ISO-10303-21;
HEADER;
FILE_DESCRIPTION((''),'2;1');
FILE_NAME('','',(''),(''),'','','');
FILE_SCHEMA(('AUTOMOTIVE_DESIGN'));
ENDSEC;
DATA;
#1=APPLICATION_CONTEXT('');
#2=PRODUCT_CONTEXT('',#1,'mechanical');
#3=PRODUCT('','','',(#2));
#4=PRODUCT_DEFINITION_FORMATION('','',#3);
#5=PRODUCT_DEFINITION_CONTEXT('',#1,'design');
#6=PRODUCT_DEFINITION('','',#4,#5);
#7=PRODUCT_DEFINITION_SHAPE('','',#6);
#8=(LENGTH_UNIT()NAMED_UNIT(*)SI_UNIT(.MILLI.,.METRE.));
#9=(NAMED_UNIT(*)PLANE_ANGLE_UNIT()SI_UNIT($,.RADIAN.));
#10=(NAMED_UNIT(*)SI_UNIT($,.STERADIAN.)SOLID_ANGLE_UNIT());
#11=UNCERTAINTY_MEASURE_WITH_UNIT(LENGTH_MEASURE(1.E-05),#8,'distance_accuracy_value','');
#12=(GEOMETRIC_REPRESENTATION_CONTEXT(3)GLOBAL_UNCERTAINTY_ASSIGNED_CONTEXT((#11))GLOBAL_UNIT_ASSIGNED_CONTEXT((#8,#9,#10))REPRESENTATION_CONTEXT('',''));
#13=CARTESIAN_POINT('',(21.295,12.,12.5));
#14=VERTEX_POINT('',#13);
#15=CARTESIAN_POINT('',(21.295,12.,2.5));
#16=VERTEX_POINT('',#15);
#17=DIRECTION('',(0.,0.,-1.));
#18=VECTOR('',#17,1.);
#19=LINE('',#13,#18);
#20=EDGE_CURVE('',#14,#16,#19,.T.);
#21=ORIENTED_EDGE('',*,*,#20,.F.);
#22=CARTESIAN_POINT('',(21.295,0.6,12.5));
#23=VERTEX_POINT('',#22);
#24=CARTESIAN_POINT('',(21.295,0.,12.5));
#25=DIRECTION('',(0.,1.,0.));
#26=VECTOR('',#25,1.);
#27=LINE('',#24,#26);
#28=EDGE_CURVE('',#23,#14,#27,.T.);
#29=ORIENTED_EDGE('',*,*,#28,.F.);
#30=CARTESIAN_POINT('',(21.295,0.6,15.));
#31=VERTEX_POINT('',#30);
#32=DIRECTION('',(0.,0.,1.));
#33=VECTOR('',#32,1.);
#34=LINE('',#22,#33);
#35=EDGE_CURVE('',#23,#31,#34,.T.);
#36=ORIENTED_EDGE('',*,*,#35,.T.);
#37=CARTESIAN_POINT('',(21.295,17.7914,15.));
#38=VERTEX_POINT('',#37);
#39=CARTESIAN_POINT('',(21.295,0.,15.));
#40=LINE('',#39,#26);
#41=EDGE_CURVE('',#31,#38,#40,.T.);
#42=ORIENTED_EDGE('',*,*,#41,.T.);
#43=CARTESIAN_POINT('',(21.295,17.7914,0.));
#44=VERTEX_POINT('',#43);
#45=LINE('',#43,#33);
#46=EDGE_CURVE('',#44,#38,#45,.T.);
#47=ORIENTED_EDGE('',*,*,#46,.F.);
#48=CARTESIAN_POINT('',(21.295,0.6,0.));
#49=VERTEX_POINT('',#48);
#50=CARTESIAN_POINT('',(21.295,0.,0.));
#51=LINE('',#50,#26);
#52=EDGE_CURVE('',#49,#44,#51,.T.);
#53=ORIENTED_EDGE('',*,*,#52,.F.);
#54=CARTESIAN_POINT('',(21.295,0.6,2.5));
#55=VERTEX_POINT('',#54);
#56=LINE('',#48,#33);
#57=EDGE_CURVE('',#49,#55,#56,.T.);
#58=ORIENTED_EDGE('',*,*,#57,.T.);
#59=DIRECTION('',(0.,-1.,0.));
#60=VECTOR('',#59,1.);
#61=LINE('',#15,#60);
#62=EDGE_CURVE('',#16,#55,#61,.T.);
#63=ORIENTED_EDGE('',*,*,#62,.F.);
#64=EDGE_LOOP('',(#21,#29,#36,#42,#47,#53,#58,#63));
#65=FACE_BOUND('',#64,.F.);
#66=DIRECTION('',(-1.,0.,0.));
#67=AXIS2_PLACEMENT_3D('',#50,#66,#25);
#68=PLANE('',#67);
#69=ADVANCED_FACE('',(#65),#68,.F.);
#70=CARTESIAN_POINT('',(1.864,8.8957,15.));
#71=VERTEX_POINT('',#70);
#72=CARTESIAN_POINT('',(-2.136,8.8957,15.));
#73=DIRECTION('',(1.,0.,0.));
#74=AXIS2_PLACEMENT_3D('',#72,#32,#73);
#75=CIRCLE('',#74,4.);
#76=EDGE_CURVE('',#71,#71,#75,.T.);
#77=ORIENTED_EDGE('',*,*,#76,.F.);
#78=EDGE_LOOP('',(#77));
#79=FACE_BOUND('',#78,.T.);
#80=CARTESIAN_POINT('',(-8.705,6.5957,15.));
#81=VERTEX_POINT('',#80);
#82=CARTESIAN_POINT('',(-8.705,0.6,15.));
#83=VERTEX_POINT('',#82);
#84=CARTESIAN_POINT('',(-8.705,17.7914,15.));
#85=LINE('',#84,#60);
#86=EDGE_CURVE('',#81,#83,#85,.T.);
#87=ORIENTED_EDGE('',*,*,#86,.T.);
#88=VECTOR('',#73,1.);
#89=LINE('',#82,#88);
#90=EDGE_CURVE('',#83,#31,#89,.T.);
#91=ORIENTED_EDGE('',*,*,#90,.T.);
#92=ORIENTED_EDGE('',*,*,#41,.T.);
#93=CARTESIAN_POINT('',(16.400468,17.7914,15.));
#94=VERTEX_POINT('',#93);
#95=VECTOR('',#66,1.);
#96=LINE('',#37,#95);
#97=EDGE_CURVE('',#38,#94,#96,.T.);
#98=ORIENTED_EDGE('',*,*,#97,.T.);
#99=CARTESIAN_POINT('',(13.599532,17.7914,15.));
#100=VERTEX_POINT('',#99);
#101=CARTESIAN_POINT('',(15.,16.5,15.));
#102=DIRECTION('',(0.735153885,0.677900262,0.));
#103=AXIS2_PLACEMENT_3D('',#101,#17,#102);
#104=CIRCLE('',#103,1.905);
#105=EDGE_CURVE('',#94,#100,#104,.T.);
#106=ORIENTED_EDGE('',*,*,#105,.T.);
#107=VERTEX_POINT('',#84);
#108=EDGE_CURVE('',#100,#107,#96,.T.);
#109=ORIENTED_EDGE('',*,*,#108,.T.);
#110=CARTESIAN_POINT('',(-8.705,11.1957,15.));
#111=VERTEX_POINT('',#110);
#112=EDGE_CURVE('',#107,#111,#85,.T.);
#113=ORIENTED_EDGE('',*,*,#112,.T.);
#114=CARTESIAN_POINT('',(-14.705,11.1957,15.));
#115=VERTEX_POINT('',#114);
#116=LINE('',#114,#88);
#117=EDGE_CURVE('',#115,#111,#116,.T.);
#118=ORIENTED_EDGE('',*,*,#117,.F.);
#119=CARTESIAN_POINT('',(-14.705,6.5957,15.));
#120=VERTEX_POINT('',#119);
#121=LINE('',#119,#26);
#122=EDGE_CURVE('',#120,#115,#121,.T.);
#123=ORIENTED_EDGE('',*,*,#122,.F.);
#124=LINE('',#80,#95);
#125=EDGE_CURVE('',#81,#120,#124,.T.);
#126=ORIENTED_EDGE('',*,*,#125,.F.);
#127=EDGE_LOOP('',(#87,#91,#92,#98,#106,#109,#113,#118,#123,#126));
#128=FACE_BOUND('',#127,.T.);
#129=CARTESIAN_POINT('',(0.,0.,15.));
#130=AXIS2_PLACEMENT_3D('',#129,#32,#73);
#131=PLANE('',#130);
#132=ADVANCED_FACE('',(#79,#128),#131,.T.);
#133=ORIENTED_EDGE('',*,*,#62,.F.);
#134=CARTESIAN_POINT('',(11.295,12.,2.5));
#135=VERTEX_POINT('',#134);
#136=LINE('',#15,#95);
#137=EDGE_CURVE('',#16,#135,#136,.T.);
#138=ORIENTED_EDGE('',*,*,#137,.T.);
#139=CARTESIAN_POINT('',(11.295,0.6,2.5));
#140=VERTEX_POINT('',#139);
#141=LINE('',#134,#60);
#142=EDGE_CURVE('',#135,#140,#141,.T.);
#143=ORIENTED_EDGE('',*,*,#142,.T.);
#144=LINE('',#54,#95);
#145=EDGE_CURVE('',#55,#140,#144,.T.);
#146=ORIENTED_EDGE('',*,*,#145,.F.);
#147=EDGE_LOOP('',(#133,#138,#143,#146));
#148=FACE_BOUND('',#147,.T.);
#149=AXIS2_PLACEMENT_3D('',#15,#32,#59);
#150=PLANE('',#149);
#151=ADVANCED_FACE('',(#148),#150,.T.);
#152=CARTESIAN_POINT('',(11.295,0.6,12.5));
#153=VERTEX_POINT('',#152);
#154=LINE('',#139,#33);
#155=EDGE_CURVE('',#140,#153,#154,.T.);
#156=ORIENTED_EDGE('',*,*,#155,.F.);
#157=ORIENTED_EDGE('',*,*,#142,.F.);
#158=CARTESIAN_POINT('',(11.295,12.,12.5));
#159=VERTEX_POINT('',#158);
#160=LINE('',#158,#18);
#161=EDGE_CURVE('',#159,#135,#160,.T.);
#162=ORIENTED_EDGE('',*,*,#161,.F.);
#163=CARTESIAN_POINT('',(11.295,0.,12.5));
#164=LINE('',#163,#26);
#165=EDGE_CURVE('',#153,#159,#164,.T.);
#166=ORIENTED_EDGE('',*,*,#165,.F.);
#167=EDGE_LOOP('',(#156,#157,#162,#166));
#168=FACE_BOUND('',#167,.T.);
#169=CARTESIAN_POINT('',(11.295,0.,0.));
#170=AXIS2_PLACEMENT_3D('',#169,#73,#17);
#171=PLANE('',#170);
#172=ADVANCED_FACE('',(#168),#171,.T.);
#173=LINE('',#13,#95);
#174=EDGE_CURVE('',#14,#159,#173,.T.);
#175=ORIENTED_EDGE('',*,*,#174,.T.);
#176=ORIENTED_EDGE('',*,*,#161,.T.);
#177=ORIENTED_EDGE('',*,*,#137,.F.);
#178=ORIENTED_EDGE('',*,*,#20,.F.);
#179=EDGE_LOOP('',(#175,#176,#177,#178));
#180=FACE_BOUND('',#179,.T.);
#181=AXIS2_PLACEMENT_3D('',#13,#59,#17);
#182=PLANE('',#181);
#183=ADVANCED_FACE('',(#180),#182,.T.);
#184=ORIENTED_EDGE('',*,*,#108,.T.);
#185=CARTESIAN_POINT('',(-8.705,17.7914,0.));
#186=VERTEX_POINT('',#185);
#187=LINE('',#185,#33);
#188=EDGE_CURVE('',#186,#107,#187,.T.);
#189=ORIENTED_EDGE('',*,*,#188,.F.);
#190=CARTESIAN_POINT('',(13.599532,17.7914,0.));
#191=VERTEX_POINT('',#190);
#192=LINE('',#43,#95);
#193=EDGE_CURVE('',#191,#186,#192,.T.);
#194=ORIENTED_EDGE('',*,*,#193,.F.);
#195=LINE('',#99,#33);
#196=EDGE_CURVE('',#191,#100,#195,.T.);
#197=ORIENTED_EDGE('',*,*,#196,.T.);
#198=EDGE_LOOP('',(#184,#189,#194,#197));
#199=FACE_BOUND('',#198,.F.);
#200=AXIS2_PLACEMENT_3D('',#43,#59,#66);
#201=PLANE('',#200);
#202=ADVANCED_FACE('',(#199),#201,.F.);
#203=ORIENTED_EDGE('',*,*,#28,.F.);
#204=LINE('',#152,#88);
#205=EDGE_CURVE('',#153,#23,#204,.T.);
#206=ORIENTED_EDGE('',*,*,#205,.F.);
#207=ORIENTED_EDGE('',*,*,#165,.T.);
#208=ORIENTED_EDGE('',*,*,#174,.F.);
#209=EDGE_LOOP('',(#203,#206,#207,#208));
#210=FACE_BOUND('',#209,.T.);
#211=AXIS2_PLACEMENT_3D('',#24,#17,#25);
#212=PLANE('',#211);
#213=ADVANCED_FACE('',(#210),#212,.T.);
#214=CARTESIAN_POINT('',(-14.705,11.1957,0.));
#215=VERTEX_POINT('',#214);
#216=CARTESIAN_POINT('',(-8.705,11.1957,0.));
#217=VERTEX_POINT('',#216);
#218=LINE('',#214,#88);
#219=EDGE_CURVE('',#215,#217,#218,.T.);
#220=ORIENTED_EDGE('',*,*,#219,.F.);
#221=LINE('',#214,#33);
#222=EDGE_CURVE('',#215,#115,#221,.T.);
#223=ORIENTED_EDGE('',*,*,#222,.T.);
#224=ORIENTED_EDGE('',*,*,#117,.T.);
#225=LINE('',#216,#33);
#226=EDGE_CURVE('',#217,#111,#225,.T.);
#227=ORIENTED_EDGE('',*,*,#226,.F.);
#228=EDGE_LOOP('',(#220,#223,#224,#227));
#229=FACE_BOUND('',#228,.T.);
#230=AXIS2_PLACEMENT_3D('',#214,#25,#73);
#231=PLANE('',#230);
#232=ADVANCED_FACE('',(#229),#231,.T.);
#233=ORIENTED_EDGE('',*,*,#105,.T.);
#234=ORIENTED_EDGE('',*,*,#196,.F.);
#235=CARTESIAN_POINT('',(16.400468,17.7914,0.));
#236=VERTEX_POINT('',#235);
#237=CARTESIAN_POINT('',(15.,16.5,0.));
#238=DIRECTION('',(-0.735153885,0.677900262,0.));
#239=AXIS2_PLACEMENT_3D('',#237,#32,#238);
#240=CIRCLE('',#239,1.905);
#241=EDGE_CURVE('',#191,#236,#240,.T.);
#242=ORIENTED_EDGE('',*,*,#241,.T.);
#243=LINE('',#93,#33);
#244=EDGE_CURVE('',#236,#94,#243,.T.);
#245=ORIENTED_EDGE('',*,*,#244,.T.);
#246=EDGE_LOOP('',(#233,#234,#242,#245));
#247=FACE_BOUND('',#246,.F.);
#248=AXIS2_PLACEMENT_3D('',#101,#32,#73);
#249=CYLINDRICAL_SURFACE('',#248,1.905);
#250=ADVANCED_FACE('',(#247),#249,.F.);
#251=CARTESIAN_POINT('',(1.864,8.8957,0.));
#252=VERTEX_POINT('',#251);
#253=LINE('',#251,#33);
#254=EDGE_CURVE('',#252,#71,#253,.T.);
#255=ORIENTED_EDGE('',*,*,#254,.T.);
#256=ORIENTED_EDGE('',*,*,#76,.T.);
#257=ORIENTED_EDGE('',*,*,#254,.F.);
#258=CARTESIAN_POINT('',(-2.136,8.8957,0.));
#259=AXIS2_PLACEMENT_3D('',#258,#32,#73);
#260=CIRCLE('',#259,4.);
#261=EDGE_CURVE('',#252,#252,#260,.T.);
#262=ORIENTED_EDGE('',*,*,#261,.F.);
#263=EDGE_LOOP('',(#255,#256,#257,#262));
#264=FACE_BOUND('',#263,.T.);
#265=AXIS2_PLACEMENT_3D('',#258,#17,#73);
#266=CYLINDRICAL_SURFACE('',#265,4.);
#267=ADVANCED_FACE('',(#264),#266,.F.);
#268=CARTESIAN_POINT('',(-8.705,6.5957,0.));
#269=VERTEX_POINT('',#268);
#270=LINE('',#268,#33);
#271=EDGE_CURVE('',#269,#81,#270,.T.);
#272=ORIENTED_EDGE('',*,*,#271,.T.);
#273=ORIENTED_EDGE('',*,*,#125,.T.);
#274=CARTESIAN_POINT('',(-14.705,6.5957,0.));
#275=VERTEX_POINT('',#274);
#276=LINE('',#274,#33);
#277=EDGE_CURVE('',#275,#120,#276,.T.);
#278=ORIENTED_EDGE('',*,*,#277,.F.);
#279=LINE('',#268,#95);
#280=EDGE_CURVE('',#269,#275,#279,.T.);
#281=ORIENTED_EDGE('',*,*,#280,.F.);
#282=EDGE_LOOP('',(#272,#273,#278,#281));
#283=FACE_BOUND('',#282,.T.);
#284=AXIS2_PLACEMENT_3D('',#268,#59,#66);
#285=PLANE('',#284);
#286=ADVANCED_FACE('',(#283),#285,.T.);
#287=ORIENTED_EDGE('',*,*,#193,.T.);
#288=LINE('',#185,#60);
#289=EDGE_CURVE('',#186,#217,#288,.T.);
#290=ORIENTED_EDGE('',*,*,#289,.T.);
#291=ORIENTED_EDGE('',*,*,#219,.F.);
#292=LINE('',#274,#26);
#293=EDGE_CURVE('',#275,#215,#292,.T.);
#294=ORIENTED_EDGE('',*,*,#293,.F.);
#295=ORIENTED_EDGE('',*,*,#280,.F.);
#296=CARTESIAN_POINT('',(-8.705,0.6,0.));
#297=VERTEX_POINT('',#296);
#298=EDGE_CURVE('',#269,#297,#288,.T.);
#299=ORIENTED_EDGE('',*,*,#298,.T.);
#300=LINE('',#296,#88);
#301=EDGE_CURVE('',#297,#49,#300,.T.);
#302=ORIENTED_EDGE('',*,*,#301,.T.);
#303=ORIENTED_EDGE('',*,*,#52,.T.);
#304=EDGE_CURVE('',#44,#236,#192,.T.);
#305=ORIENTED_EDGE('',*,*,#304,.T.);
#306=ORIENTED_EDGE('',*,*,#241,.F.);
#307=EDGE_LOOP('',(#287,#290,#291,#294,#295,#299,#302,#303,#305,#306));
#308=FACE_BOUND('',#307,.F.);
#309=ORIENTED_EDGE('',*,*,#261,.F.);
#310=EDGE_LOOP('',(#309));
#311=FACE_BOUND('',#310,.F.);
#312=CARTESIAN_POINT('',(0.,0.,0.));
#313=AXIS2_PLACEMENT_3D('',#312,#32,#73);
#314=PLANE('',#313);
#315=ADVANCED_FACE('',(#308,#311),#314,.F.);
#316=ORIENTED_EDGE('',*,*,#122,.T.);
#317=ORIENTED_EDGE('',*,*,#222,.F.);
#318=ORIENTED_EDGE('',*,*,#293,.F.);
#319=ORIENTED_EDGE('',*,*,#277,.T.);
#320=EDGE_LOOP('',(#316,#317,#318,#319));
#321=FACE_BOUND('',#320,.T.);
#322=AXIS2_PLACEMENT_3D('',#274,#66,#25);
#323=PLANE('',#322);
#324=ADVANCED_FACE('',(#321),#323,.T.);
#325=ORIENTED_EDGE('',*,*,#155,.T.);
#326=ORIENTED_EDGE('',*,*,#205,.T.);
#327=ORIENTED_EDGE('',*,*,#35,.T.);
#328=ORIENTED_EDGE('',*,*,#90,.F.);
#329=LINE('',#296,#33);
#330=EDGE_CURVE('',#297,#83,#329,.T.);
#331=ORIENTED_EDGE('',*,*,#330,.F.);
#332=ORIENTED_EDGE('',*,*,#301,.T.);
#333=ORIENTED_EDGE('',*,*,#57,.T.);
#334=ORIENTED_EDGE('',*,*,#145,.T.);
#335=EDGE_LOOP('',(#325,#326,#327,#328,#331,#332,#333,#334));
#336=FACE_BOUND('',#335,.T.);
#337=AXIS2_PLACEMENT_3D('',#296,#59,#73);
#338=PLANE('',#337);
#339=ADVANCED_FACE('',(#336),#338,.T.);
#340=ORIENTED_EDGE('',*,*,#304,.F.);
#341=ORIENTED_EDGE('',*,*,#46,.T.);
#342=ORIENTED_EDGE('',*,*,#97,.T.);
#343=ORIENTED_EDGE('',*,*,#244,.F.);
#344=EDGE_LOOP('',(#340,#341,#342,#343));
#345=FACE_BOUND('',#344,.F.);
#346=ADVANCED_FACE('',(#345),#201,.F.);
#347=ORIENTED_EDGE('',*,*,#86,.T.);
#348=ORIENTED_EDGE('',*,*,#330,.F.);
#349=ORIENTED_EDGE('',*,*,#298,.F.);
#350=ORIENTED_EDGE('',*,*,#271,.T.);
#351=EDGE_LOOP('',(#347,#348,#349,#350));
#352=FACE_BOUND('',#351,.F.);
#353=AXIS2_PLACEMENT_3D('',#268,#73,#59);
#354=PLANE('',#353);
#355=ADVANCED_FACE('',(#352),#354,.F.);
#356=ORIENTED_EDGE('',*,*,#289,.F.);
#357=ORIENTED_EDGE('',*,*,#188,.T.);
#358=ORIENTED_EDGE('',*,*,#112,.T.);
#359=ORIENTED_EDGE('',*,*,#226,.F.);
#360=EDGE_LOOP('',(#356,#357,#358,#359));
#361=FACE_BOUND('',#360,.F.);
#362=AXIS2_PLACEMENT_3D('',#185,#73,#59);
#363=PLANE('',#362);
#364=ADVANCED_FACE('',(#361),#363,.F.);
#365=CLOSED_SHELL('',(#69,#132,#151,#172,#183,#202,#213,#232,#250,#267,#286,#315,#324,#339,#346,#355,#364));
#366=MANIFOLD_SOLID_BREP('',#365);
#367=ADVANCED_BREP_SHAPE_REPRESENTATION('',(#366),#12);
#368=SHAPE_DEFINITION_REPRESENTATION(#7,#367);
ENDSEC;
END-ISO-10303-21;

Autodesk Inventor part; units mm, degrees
ref_plane "YZ Plane" through (0, 0, 0) normal (1, 0, 0) x (0, 1, 0)
ref_plane "XZ Plane" through (0, 0, 0) normal (0, 1, 0) x (-1, 0, 0)
ref_plane "XY Plane" through (0, 0, 0) normal (0, 0, 1) x (1, 0, 0)
ref_plane "Work Plane1" through (0, 0, 0) normal (0, 0, 1) x (1, 0, 0)
sketch "Sketch1" plane through (0, 0, 0) normal (0, 0, 1) x (1, 0, 0)
  circle A0 centre (7, -8.8957) radius 4 construction
  circle A1 centre (-2.136, 8.8957) radius 4 projected
  line L0 (-8.905, 18.405) -> (-8.905, 11.3957) construction
  line L1 (-8.905, 11.3957) -> (-14.905, 11.3957) construction
  line L2 (-14.905, 11.3957) -> (-14.905, 6.3957) construction
  line L3 (-14.905, 6.3957) -> (-8.905, 6.3957) construction
  line L4 (-8.905, 6.3957) -> (-8.905, -6.3957) construction
  line L5 (-8.905, -6.3957) -> (-14.905, -6.3957) construction
  line L6 (-14.905, -6.3957) -> (-14.905, -11.3957) construction
  line L7 (-14.905, -11.3957) -> (-8.905, -11.3957) construction
  line L8 (-8.905, -11.3957) -> (-8.905, -18.405) construction
  line L9 (-8.905, -18.405) -> (15, -18.405) construction
  circle A2 centre (15, -16.5) radius 1.905 construction
  line L10 (15, -18.405) -> (34, -18.405) construction
  line L11 (34, 18.405) -> (34, -18.405) construction
  line L12 (34, 18.405) -> (15, 18.405) construction
  circle A3 centre (15, 16.5) radius 1.905 construction
  line L13 (15, 18.405) -> (-8.905, 18.405) construction
  line L14 (-8.705, 6.5957) -> (-14.705, 6.5957)
  line L15 (-14.705, 6.5957) -> (-14.705, 11.1957)
  line L16 (-14.705, 11.1957) -> (-8.705, 11.1957)
  line L17 (-8.705, 11.1957) -> (-8.705, 6.5957)
  line L18 (-8.705, 0) -> (21.295, 0)
  line L19 (21.295, 0) -> (21.295, 17.7914)
  line L20 (21.295, 17.7914) -> (-8.705, 17.7914)
  line L21 (-8.705, 17.7914) -> (-8.705, 0)
  point P0 (0, 0)
  point P1 (-8.705, 8.8957)
  point P2 (-8.905, 0)
  dimension "d0" = 0.2
  dimension "d1" = 0.2
  dimension "d2" = 0.2
  dimension "d3" = 0.2
  dimension "d4" = 30
extrude "Extrusion1" add sketch "Sketch1" along normal blind 15
sketch "Sketch2" plane through (0, 0, 15) normal (0, 0, 1) x (1, 0, 0)
  circle A0 centre (15, 16.5) radius 1.905 projected
  point P0 (0, 0)
extrude "Extrusion2" cut sketch "Sketch2" against normal through all
sketch "Sketch3" plane through (21.295, 0, 0) normal (1, 0, 0) x (0, 0, -1)
  line L0 (0, 0) -> (0, 17.7914) construction
  line L1 (0, 17.7914) -> (-15, 17.7914) construction
  line L2 (-15, 0) -> (-15, 17.7914) construction
  line L3 (0, 0) -> (-15, 0) construction
  line L4 (-2.5, 0) -> (-12.5, 0)
  line L5 (-12.5, 0) -> (-12.5, 12)
  line L6 (-12.5, 12) -> (-2.5, 12)
  line L7 (-2.5, 12) -> (-2.5, 0)
  point P0 (0, 0)
  point P1 (-7.5, 0)
  dimension "d9" = 10
  dimension "d10" = 12
extrude "Extrusion3" cut sketch "Sketch3" against normal blind 10
sketch "Sketch4" plane through (-8.705, 0, 0) normal (0, -1, 0) x (1, 0, 0)
  line L0 (20, 12.5) -> (30, 12.5) projected
  line L1 (30, 12.5) -> (30, 15) projected
  line L2 (0, 15) -> (30, 15) projected
  line L3 (0, 0) -> (0, 15) projected
  line L4 (0, 0) -> (30, 0) projected
  line L5 (30, 0) -> (30, 2.5) projected
  line L6 (30, 2.5) -> (20, 2.5) projected
  line L7 (20, 2.5) -> (20, 12.5) projected
  point P0 (8.705, 0)
extrude "Extrusion4" cut sketch "Sketch4" against normal blind 0.6
properties part number "short selector"
